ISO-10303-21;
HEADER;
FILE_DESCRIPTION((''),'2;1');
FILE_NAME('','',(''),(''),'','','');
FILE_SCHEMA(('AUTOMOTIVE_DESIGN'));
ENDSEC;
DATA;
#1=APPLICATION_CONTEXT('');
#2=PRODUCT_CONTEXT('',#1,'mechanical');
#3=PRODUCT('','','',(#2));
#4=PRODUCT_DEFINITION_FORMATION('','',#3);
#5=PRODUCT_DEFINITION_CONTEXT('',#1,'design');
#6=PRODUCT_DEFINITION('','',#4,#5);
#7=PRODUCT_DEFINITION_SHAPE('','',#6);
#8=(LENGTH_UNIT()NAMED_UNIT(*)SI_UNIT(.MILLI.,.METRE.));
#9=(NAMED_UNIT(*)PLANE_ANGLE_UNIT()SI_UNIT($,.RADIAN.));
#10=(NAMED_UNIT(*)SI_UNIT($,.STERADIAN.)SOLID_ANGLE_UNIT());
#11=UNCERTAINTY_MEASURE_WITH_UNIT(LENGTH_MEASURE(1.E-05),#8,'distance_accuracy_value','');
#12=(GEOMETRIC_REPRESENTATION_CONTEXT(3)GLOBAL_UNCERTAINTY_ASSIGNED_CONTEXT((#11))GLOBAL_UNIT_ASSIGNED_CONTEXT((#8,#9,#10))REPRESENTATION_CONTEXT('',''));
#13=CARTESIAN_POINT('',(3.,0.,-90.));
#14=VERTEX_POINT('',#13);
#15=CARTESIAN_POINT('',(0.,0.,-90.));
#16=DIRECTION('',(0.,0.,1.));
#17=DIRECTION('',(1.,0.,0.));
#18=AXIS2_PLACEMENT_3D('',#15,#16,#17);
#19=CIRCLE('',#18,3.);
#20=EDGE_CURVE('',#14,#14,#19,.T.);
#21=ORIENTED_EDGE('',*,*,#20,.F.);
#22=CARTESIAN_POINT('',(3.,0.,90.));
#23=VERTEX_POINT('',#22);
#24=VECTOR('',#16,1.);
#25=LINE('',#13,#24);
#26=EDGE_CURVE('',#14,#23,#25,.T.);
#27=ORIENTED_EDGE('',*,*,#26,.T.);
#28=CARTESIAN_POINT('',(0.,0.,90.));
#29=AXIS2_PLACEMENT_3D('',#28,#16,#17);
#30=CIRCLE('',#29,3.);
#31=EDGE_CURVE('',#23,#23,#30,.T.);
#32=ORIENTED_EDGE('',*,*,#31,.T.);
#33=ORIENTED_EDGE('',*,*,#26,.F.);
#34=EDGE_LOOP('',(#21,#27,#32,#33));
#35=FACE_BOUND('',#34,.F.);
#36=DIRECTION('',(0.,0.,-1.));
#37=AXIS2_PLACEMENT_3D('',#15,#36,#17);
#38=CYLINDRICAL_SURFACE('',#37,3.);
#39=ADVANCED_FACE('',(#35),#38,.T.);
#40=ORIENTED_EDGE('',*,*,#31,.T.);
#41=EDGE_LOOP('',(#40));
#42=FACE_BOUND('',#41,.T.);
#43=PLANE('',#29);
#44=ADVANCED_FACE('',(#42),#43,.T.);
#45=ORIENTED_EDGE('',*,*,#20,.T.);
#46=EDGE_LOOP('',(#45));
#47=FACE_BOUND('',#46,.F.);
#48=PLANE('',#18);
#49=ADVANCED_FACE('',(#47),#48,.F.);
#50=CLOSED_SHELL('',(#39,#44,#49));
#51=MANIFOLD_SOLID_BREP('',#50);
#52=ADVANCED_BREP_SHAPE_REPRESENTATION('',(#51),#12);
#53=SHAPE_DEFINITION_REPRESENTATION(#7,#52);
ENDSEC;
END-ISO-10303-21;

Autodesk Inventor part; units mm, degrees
ref_plane "YZ Plane" through (0, 0, 0) normal (1, 0, 0) x (0, 1, 0)
ref_plane "XZ Plane" through (0, 0, 0) normal (0, 1, 0) x (-1, 0, 0)
ref_plane "Work Plane1" through (0, 0, -90) normal (0, 0, 1) x (1, 0, 0)
sketch "Sketch1" plane through (0, 0, -90) normal (0, 0, 1) x (1, 0, 0)
  circle A0 centre (0, 0) radius 3
extrude "Extrusion1" add sketch "Sketch1" along normal blind 180
thread "Thread1" size "M6x1" class "6g" standard "ISO Metric profile" full length
properties part number "Hopper M6 rod" material "Steel, Carbon"
